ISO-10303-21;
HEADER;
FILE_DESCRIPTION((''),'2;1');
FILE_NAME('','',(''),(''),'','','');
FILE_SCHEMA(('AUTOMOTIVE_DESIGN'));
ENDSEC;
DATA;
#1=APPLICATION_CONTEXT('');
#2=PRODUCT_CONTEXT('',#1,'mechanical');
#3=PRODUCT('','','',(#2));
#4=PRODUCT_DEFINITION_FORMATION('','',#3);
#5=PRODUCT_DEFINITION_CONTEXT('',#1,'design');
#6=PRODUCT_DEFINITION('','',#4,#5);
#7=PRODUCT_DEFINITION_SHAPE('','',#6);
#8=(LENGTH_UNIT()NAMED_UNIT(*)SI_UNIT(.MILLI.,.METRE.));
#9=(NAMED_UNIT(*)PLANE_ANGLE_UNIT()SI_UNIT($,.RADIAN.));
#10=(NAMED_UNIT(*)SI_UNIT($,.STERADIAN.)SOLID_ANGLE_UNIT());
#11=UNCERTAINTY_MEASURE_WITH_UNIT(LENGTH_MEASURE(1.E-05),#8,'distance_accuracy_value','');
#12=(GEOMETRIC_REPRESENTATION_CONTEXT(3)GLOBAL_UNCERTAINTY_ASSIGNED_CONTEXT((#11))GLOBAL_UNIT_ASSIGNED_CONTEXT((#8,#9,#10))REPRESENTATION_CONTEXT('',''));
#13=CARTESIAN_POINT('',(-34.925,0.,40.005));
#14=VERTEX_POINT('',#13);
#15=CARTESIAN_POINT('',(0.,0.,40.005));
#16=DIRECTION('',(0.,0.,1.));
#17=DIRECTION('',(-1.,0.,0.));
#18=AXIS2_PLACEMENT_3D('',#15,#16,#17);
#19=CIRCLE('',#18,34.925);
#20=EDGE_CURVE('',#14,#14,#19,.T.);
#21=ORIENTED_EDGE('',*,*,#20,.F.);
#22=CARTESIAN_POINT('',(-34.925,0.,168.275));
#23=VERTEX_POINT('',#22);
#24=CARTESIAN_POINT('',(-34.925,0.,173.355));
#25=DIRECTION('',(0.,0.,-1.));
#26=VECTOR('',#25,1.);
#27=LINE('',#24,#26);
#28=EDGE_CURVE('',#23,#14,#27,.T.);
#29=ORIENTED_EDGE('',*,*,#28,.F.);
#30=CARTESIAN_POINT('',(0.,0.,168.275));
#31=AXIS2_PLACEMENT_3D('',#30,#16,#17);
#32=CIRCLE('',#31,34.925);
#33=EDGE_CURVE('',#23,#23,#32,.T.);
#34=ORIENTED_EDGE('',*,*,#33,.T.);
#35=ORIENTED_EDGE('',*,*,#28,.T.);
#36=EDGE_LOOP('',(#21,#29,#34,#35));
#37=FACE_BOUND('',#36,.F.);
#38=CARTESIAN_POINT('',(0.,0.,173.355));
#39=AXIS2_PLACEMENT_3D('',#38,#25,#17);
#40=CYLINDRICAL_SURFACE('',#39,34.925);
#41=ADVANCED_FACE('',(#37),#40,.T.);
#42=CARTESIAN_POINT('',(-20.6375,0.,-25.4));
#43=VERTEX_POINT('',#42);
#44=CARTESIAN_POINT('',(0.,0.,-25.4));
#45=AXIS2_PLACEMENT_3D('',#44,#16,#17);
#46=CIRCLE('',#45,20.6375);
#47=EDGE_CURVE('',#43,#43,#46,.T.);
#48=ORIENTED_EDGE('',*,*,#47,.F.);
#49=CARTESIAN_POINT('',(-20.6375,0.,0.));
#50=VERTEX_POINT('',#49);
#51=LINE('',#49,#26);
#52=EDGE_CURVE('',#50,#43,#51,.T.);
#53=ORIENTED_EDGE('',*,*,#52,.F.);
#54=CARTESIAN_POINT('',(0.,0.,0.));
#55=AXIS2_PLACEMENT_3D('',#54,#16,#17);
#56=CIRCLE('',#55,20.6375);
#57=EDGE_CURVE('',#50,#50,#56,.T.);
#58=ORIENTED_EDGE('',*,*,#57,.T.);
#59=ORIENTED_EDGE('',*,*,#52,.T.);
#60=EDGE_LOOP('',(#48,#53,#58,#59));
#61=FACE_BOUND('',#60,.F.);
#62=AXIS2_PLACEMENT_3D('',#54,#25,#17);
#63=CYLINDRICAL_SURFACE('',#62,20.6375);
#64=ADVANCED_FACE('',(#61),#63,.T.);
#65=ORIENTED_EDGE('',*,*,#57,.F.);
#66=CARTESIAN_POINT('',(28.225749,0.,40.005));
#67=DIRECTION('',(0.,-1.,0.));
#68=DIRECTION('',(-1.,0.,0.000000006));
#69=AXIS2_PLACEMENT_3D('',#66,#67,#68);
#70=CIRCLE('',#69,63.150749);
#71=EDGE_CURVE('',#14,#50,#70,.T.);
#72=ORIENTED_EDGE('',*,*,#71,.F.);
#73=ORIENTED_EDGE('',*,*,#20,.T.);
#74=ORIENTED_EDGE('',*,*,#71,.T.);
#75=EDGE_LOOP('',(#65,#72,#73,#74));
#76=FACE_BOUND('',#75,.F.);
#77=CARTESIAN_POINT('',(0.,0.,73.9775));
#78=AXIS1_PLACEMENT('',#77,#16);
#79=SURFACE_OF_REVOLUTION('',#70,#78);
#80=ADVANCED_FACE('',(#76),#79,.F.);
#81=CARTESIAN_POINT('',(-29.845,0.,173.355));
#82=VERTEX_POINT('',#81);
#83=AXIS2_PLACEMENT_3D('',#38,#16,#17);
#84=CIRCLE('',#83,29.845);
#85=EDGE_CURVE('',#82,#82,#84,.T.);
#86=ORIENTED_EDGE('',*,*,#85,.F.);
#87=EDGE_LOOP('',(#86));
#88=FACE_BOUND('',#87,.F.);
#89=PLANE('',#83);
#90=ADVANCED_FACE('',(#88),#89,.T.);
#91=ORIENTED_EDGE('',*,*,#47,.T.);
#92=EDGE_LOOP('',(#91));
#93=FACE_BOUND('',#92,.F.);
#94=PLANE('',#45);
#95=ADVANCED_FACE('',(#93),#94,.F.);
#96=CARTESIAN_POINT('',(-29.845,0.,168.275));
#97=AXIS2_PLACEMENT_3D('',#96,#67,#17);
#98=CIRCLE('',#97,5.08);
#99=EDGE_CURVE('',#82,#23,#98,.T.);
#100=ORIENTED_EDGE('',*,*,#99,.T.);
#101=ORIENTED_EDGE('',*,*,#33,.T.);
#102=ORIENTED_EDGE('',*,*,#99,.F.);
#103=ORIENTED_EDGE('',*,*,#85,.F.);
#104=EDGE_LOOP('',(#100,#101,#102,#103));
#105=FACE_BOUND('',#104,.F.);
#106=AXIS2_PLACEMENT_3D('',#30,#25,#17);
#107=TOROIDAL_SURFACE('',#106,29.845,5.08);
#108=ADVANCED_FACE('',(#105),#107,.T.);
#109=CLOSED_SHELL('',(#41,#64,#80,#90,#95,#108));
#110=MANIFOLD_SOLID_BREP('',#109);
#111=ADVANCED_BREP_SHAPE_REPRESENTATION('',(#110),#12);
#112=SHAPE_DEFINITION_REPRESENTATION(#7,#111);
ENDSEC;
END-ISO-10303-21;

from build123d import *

# Parameters (mm, degrees)
F2_R = 5.08


with BuildPart() as f1:
    # F0 (on Front) → F1 (revolve)
    with BuildSketch(Plane.XZ):
        with BuildLine():
            Line((0, -25.4), (0, 173.355))
            Line((0, 173.355), (-34.925, 173.355))
            Line((-34.925, 173.355), (-34.925, 40.005))
            ThreePointArc((-34.925, 40.005), (-31.245958, 18.765104), (-20.6375, 0))
            Line((-20.6375, 0), (-20.6375, -25.4))
            Line((-20.6375, -25.4), (0, -25.4))
        make_face()
    revolve(axis=Axis((0, 0, 73.9775), (0, 0, 1)))

    # F2
    f2_edges = [f1.edges().sort_by_distance(p)[0] for p in [
        (34.925, 0, 173.355),
    ]]
    fillet(f2_edges, radius=F2_R)


solid = f1.part
